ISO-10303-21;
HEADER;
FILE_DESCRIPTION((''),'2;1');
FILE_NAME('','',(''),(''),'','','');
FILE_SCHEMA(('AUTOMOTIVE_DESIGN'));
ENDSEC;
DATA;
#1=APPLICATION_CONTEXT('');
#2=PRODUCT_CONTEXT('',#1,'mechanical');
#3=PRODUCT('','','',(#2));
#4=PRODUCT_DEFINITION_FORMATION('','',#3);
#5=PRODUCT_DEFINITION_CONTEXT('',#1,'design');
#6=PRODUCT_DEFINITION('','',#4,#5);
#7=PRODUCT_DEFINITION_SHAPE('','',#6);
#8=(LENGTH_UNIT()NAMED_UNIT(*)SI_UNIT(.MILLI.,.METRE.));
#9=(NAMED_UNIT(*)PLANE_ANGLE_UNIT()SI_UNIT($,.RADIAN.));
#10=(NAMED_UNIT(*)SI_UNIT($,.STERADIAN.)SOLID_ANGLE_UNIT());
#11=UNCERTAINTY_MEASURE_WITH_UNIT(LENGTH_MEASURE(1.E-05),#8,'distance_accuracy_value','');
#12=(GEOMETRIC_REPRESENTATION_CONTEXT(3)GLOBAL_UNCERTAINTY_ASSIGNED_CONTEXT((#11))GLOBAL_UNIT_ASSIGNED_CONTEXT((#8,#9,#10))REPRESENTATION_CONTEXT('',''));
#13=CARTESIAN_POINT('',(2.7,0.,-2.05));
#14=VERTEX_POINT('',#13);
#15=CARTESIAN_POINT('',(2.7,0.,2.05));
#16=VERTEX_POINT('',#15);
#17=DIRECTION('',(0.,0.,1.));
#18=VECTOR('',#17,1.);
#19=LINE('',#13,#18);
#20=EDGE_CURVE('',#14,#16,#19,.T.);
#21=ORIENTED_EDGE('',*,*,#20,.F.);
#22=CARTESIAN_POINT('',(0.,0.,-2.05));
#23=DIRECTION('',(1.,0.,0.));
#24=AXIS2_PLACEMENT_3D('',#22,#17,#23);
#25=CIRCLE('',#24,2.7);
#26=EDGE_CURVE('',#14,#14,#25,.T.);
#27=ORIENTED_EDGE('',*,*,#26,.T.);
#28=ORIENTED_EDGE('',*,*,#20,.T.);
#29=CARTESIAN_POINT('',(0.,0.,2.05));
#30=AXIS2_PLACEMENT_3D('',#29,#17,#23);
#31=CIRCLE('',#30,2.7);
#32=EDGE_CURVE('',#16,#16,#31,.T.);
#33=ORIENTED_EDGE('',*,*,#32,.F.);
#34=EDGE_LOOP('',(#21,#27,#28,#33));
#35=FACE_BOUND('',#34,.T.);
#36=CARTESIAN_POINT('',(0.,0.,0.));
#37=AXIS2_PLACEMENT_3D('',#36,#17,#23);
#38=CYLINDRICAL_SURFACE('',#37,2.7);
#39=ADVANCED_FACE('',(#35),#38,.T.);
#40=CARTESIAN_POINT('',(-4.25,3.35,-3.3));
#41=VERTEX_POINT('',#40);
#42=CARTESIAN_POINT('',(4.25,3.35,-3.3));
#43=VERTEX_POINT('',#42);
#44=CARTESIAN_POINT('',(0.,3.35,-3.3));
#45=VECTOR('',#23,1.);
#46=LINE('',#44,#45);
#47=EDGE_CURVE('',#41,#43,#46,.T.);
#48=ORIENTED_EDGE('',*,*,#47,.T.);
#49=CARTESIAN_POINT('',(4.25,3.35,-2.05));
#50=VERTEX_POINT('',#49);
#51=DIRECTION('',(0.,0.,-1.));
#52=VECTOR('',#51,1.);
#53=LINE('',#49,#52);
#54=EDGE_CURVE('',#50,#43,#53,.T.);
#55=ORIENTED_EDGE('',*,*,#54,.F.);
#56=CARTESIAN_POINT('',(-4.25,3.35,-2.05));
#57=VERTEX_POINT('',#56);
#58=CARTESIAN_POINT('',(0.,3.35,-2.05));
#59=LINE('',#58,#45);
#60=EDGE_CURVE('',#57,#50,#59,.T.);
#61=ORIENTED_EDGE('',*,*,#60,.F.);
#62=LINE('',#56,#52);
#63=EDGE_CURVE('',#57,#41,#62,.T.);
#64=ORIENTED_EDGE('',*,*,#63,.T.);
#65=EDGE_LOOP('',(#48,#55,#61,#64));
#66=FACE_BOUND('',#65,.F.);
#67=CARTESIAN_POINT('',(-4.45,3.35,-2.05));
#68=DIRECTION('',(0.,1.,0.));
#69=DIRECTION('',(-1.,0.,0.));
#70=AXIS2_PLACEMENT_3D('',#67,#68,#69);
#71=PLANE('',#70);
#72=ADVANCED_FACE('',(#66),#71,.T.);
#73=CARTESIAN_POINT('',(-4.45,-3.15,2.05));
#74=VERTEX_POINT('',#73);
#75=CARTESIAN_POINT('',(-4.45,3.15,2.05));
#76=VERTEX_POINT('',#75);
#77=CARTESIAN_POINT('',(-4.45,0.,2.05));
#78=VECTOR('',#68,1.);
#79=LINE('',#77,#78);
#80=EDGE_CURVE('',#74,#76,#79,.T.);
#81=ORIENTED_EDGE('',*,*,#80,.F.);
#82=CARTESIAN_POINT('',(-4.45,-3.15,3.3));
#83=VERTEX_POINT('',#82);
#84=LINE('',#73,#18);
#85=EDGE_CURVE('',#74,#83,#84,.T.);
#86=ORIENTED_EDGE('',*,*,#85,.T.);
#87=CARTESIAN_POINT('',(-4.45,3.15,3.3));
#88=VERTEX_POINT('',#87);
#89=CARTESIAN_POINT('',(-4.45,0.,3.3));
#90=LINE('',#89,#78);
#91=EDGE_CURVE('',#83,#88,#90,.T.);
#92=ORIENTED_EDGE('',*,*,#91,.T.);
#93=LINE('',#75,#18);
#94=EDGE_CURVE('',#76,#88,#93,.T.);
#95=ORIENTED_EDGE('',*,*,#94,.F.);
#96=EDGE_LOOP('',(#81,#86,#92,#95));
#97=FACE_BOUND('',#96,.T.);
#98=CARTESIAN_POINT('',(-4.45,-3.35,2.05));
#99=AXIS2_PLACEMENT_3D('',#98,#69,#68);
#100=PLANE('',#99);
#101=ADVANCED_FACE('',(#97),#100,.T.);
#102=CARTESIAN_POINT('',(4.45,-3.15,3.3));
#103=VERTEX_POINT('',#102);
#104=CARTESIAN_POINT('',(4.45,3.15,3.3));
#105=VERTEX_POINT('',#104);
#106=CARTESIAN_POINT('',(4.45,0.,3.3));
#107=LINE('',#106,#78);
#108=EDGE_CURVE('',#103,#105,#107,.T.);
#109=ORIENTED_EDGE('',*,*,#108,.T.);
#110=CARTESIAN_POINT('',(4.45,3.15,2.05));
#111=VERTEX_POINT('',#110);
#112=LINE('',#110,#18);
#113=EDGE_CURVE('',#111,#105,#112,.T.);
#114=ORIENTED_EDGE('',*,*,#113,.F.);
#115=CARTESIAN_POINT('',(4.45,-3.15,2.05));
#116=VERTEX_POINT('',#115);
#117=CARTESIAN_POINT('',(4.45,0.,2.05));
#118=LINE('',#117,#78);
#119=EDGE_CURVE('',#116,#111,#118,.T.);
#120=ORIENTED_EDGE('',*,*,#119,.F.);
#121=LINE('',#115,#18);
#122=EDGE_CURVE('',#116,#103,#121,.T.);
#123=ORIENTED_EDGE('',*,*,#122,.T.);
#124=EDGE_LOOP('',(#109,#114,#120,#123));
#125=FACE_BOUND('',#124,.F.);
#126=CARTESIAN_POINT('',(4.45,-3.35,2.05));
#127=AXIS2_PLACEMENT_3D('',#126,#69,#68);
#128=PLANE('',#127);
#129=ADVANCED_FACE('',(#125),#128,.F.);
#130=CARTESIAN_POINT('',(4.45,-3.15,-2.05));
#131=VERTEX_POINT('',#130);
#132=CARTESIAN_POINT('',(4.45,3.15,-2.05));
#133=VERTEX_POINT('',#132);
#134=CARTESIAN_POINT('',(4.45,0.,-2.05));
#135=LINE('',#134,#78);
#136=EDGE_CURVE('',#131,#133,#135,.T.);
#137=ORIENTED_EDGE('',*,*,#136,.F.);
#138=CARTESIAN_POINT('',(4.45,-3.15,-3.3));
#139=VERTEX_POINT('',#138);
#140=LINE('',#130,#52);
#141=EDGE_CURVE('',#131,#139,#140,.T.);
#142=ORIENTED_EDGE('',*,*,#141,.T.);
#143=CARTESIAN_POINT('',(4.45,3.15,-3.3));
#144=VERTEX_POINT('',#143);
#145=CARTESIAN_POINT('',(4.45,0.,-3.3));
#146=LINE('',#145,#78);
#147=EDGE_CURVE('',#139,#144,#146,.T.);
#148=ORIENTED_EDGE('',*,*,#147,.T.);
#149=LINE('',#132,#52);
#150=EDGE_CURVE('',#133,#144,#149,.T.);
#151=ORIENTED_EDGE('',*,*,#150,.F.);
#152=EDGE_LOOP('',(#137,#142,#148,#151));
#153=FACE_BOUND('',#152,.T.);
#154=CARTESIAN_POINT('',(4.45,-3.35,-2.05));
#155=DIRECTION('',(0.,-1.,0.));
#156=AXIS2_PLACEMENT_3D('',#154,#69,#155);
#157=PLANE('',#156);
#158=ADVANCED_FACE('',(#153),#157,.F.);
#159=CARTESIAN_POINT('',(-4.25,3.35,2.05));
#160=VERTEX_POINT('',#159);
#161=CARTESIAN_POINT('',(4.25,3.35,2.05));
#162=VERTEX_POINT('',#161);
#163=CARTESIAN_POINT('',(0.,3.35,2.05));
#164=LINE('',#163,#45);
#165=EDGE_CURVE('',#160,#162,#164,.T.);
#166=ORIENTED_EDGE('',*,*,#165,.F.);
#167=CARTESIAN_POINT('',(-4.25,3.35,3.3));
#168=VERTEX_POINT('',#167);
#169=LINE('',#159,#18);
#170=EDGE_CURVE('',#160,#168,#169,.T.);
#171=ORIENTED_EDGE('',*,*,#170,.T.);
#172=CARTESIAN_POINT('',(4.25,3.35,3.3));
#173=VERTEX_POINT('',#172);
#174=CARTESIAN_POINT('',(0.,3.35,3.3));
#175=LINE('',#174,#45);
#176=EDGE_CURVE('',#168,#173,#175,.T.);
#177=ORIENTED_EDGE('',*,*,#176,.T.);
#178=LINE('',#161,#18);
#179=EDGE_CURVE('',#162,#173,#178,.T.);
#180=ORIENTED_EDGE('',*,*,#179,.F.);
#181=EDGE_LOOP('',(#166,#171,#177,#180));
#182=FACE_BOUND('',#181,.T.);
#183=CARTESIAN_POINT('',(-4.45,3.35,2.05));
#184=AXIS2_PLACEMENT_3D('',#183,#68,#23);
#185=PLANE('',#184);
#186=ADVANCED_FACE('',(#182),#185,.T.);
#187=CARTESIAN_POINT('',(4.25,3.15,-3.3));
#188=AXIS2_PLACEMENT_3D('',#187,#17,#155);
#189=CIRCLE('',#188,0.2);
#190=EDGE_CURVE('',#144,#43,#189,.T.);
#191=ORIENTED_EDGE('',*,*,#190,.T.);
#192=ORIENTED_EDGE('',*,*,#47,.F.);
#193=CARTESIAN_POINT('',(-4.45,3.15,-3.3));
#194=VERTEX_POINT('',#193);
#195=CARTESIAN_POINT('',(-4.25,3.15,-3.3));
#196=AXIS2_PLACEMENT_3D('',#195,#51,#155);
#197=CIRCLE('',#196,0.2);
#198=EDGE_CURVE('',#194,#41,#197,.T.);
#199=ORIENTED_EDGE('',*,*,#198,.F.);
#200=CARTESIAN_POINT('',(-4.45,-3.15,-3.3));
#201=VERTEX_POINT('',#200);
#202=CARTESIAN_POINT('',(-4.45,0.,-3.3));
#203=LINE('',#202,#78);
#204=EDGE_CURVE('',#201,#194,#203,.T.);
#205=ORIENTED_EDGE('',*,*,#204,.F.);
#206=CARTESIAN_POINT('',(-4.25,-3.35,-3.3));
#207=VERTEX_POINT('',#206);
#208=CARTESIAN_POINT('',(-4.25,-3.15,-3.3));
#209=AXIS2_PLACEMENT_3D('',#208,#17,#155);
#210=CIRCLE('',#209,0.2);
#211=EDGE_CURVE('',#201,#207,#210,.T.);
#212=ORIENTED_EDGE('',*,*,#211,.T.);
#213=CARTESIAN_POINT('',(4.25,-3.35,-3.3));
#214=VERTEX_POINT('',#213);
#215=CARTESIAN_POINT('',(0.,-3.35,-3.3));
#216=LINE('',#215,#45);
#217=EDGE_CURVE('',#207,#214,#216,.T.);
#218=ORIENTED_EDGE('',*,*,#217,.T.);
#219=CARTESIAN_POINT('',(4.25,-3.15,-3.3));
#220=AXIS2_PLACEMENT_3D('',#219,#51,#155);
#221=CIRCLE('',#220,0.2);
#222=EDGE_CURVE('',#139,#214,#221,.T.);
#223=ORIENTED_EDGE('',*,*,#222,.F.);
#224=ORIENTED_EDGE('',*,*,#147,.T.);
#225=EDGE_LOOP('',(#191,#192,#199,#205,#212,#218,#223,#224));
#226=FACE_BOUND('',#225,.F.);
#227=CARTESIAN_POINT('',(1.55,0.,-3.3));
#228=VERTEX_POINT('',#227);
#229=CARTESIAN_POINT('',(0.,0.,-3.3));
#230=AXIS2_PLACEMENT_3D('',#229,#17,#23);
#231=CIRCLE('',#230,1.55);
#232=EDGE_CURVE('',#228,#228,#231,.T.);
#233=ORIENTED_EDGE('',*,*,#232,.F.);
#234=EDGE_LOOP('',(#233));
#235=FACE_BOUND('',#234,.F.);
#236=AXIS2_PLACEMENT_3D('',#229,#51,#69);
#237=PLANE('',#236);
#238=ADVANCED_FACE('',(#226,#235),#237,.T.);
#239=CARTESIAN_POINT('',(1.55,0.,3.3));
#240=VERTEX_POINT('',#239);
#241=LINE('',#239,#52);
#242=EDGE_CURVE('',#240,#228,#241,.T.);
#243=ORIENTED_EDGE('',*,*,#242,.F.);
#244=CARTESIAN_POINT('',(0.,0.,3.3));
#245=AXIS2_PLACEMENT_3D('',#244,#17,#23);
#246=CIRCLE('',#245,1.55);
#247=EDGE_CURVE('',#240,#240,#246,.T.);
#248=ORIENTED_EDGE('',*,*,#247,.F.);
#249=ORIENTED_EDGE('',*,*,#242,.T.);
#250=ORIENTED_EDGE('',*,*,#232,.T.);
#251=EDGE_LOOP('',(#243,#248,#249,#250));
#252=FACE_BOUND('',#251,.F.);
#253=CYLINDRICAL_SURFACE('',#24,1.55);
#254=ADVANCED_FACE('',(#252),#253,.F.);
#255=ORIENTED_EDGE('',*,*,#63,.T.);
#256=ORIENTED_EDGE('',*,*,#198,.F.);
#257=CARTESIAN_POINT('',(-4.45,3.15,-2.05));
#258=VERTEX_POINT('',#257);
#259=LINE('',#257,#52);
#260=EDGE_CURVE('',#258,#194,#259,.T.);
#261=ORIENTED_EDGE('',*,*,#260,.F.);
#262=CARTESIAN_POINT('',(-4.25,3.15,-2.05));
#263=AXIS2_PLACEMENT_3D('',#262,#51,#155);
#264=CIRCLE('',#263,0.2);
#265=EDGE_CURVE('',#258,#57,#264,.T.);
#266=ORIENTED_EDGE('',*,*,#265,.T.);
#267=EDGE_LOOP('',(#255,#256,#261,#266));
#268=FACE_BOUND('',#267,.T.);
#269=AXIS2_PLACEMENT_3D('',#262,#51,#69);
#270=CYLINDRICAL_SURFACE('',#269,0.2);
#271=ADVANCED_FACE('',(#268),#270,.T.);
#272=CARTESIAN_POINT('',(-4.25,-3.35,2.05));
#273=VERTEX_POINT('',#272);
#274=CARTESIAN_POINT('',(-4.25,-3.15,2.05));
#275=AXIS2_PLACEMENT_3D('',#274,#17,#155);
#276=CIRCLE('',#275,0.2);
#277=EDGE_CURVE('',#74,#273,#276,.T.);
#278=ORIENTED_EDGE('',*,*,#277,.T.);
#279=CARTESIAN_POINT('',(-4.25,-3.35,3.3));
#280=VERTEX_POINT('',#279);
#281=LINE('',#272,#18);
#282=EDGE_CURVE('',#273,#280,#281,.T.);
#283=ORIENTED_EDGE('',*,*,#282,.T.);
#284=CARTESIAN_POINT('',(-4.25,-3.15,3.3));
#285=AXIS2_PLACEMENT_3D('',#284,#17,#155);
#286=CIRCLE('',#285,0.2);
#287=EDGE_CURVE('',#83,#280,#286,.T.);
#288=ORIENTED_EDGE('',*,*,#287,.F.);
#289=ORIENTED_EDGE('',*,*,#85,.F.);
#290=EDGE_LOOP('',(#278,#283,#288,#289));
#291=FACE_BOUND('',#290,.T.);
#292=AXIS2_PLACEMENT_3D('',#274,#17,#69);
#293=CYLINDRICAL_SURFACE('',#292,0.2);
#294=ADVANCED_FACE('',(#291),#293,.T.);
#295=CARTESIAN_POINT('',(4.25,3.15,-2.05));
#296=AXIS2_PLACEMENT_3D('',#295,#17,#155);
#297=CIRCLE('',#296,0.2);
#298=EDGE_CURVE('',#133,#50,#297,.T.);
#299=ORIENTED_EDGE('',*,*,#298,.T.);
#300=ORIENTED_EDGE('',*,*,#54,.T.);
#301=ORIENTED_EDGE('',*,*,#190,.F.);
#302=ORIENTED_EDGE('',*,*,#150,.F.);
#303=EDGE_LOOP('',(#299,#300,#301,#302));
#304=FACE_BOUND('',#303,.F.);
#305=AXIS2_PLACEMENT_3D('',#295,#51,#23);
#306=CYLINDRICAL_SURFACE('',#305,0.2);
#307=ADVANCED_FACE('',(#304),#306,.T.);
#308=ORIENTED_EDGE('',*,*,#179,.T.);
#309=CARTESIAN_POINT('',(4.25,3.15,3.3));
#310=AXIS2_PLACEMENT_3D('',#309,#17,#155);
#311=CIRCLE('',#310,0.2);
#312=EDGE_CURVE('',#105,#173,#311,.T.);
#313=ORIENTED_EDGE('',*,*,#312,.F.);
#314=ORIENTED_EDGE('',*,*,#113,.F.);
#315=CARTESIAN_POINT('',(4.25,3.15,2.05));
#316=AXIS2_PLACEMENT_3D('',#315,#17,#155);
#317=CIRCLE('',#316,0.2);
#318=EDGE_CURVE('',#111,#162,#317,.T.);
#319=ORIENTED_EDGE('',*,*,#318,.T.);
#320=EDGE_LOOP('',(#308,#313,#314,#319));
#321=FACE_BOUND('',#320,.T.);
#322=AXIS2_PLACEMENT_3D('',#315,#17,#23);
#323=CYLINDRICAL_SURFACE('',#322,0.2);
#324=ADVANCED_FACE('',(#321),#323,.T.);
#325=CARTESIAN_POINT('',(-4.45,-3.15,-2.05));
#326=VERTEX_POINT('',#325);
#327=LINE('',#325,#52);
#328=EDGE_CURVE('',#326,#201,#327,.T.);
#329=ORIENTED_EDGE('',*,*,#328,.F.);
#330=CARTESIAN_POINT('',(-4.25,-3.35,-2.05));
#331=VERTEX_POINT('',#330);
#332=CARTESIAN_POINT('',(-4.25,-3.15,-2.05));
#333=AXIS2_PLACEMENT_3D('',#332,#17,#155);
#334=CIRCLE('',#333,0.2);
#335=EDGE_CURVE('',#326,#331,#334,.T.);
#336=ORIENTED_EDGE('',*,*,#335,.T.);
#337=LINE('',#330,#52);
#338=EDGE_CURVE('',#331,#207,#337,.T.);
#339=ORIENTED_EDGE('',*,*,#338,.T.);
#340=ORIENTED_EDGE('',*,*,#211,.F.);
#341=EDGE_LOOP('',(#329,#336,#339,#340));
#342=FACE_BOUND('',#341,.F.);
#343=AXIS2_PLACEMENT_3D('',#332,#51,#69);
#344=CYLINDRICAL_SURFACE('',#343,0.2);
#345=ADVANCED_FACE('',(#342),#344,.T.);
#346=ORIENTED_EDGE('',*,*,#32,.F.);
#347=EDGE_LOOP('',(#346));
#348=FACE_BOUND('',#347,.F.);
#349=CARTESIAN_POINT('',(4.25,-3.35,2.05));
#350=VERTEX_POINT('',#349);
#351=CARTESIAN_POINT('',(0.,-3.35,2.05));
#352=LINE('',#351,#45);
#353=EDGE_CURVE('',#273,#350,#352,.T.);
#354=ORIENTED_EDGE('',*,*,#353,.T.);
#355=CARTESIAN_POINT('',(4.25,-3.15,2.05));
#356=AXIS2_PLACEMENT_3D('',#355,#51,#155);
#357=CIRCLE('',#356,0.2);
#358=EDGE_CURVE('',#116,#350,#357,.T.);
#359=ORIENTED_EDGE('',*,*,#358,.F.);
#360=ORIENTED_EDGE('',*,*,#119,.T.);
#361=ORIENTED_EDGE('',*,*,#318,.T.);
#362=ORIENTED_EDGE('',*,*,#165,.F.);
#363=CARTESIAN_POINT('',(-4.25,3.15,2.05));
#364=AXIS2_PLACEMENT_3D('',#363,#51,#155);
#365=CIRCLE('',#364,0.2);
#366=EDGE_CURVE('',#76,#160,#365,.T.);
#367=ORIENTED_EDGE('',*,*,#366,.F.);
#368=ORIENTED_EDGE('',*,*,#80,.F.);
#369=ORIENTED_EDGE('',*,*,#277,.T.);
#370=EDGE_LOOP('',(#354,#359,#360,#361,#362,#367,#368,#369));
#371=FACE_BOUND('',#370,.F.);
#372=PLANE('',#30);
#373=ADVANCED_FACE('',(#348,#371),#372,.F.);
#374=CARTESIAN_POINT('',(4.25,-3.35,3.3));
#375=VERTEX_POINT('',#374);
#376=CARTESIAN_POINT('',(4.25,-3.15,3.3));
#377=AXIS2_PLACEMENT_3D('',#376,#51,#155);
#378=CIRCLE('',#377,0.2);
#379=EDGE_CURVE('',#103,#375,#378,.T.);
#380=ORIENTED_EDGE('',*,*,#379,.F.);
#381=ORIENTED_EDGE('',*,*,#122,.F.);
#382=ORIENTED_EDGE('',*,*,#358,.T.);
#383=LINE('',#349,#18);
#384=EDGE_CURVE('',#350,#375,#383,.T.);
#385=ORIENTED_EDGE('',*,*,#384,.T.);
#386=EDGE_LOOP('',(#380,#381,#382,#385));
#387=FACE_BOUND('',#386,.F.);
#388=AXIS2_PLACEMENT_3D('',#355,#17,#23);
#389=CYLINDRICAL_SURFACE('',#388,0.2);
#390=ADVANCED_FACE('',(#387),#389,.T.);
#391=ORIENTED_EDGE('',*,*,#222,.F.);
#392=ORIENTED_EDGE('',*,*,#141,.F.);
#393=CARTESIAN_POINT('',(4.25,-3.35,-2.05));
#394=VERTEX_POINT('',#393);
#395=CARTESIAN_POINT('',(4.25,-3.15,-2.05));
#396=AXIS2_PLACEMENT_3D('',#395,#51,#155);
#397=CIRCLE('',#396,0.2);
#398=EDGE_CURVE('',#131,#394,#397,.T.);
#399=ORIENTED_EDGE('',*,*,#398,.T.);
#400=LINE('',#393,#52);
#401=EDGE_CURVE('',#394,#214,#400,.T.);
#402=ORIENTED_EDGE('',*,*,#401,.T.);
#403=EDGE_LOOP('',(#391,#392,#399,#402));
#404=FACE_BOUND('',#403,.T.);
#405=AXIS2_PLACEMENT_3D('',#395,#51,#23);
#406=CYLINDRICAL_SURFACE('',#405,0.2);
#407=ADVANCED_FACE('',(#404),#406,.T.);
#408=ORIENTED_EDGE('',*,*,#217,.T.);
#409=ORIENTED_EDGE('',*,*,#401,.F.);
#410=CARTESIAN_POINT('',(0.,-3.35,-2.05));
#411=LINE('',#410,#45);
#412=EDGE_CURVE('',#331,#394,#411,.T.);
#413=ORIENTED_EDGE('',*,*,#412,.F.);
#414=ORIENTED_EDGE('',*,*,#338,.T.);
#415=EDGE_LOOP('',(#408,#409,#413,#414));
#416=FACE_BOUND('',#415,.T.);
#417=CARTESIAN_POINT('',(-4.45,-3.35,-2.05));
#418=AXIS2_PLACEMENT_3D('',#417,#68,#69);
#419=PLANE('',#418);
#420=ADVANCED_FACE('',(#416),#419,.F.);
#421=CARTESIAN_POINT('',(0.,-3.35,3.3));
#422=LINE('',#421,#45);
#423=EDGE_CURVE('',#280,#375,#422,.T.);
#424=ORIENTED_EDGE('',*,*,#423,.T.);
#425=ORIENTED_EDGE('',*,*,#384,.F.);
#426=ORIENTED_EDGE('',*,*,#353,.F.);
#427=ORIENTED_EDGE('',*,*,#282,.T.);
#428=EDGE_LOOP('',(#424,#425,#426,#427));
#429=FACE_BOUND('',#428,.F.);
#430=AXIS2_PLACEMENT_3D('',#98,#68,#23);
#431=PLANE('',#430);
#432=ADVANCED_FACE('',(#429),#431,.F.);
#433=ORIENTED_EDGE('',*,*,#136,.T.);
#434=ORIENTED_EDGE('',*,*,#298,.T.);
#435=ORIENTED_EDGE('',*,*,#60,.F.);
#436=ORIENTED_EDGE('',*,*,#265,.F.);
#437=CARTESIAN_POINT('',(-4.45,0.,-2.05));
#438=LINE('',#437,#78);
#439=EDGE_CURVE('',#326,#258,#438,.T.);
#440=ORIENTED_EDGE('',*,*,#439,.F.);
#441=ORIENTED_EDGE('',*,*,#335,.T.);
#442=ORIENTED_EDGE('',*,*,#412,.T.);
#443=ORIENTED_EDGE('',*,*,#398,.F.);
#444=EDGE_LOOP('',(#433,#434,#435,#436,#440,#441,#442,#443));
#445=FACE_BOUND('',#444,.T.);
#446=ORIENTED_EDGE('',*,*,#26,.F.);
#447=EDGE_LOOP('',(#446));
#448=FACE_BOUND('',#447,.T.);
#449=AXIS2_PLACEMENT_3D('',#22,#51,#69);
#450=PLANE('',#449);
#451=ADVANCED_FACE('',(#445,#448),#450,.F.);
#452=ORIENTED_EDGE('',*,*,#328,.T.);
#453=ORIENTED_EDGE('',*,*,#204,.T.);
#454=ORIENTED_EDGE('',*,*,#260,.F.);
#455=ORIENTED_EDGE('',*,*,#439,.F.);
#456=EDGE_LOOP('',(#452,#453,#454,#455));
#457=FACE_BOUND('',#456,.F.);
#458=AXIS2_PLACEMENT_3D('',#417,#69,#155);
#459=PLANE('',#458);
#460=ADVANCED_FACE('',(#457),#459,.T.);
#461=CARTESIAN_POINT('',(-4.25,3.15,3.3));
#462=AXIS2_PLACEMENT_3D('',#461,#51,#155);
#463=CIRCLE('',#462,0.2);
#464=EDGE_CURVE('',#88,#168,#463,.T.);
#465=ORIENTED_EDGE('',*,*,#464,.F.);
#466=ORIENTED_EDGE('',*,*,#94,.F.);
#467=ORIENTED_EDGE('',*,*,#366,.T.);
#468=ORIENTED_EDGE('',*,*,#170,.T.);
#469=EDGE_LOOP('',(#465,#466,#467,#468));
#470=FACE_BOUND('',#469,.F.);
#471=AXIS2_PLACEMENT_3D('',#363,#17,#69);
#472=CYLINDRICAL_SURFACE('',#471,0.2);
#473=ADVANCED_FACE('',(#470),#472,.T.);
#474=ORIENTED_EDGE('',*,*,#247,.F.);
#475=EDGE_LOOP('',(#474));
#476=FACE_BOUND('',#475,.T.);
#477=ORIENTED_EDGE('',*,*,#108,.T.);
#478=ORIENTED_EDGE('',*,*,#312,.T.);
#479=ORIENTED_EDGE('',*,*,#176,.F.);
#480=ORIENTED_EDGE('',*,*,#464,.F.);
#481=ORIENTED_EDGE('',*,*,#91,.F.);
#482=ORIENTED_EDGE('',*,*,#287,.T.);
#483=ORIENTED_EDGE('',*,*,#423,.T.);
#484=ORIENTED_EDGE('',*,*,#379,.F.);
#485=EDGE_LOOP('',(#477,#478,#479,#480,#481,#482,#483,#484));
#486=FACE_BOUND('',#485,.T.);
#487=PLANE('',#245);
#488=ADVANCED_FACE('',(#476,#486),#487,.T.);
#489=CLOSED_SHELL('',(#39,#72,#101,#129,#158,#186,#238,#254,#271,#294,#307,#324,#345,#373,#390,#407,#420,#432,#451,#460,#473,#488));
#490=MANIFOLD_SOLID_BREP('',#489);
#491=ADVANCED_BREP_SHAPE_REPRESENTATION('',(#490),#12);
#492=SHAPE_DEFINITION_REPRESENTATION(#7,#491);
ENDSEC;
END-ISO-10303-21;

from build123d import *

# Parameters (mm, degrees)
F0_R     = 2.7
F0_R_2   = 1.55
F1_DEPTH = 2.05
F2_W     = 8.9
F2_H     = 6.7
F2_R     = 2.7
F2_R_2   = 1.55
F3_DEPTH = 1.25
F4_R     = 0.2


with BuildPart() as f1:
    # F0 (on Top) → F1 (new body)
    with BuildSketch(Plane.XY):
        Circle(F0_R)
        Circle(F0_R_2, mode=Mode.SUBTRACT)
    extrude(amount=F1_DEPTH)

    # F2 (on face) → F3 (join)
    with BuildSketch(Plane.XY.offset(2.05)):
        Rectangle(F2_W, F2_H)
        Circle(F2_R, mode=Mode.SUBTRACT)
        Circle(F2_R)
        Circle(F2_R_2, mode=Mode.SUBTRACT)
    extrude(amount=F3_DEPTH)

    # F4
    f4_edges = [f1.edges().sort_by_distance(p)[0] for p in [
        (4.45, -3.35, 2.675),
        (-4.45, -3.35, 2.675),
        (-4.45, 3.35, 2.675),
        (4.45, 3.35, 2.675),
    ]]
    fillet(f4_edges, radius=F4_R)

    # F5: F1 across plane


with BuildPart() as f1_1:
    add(f1.part)
    add(f1.part.mirror(Plane.XY))


solid = f1_1.part
